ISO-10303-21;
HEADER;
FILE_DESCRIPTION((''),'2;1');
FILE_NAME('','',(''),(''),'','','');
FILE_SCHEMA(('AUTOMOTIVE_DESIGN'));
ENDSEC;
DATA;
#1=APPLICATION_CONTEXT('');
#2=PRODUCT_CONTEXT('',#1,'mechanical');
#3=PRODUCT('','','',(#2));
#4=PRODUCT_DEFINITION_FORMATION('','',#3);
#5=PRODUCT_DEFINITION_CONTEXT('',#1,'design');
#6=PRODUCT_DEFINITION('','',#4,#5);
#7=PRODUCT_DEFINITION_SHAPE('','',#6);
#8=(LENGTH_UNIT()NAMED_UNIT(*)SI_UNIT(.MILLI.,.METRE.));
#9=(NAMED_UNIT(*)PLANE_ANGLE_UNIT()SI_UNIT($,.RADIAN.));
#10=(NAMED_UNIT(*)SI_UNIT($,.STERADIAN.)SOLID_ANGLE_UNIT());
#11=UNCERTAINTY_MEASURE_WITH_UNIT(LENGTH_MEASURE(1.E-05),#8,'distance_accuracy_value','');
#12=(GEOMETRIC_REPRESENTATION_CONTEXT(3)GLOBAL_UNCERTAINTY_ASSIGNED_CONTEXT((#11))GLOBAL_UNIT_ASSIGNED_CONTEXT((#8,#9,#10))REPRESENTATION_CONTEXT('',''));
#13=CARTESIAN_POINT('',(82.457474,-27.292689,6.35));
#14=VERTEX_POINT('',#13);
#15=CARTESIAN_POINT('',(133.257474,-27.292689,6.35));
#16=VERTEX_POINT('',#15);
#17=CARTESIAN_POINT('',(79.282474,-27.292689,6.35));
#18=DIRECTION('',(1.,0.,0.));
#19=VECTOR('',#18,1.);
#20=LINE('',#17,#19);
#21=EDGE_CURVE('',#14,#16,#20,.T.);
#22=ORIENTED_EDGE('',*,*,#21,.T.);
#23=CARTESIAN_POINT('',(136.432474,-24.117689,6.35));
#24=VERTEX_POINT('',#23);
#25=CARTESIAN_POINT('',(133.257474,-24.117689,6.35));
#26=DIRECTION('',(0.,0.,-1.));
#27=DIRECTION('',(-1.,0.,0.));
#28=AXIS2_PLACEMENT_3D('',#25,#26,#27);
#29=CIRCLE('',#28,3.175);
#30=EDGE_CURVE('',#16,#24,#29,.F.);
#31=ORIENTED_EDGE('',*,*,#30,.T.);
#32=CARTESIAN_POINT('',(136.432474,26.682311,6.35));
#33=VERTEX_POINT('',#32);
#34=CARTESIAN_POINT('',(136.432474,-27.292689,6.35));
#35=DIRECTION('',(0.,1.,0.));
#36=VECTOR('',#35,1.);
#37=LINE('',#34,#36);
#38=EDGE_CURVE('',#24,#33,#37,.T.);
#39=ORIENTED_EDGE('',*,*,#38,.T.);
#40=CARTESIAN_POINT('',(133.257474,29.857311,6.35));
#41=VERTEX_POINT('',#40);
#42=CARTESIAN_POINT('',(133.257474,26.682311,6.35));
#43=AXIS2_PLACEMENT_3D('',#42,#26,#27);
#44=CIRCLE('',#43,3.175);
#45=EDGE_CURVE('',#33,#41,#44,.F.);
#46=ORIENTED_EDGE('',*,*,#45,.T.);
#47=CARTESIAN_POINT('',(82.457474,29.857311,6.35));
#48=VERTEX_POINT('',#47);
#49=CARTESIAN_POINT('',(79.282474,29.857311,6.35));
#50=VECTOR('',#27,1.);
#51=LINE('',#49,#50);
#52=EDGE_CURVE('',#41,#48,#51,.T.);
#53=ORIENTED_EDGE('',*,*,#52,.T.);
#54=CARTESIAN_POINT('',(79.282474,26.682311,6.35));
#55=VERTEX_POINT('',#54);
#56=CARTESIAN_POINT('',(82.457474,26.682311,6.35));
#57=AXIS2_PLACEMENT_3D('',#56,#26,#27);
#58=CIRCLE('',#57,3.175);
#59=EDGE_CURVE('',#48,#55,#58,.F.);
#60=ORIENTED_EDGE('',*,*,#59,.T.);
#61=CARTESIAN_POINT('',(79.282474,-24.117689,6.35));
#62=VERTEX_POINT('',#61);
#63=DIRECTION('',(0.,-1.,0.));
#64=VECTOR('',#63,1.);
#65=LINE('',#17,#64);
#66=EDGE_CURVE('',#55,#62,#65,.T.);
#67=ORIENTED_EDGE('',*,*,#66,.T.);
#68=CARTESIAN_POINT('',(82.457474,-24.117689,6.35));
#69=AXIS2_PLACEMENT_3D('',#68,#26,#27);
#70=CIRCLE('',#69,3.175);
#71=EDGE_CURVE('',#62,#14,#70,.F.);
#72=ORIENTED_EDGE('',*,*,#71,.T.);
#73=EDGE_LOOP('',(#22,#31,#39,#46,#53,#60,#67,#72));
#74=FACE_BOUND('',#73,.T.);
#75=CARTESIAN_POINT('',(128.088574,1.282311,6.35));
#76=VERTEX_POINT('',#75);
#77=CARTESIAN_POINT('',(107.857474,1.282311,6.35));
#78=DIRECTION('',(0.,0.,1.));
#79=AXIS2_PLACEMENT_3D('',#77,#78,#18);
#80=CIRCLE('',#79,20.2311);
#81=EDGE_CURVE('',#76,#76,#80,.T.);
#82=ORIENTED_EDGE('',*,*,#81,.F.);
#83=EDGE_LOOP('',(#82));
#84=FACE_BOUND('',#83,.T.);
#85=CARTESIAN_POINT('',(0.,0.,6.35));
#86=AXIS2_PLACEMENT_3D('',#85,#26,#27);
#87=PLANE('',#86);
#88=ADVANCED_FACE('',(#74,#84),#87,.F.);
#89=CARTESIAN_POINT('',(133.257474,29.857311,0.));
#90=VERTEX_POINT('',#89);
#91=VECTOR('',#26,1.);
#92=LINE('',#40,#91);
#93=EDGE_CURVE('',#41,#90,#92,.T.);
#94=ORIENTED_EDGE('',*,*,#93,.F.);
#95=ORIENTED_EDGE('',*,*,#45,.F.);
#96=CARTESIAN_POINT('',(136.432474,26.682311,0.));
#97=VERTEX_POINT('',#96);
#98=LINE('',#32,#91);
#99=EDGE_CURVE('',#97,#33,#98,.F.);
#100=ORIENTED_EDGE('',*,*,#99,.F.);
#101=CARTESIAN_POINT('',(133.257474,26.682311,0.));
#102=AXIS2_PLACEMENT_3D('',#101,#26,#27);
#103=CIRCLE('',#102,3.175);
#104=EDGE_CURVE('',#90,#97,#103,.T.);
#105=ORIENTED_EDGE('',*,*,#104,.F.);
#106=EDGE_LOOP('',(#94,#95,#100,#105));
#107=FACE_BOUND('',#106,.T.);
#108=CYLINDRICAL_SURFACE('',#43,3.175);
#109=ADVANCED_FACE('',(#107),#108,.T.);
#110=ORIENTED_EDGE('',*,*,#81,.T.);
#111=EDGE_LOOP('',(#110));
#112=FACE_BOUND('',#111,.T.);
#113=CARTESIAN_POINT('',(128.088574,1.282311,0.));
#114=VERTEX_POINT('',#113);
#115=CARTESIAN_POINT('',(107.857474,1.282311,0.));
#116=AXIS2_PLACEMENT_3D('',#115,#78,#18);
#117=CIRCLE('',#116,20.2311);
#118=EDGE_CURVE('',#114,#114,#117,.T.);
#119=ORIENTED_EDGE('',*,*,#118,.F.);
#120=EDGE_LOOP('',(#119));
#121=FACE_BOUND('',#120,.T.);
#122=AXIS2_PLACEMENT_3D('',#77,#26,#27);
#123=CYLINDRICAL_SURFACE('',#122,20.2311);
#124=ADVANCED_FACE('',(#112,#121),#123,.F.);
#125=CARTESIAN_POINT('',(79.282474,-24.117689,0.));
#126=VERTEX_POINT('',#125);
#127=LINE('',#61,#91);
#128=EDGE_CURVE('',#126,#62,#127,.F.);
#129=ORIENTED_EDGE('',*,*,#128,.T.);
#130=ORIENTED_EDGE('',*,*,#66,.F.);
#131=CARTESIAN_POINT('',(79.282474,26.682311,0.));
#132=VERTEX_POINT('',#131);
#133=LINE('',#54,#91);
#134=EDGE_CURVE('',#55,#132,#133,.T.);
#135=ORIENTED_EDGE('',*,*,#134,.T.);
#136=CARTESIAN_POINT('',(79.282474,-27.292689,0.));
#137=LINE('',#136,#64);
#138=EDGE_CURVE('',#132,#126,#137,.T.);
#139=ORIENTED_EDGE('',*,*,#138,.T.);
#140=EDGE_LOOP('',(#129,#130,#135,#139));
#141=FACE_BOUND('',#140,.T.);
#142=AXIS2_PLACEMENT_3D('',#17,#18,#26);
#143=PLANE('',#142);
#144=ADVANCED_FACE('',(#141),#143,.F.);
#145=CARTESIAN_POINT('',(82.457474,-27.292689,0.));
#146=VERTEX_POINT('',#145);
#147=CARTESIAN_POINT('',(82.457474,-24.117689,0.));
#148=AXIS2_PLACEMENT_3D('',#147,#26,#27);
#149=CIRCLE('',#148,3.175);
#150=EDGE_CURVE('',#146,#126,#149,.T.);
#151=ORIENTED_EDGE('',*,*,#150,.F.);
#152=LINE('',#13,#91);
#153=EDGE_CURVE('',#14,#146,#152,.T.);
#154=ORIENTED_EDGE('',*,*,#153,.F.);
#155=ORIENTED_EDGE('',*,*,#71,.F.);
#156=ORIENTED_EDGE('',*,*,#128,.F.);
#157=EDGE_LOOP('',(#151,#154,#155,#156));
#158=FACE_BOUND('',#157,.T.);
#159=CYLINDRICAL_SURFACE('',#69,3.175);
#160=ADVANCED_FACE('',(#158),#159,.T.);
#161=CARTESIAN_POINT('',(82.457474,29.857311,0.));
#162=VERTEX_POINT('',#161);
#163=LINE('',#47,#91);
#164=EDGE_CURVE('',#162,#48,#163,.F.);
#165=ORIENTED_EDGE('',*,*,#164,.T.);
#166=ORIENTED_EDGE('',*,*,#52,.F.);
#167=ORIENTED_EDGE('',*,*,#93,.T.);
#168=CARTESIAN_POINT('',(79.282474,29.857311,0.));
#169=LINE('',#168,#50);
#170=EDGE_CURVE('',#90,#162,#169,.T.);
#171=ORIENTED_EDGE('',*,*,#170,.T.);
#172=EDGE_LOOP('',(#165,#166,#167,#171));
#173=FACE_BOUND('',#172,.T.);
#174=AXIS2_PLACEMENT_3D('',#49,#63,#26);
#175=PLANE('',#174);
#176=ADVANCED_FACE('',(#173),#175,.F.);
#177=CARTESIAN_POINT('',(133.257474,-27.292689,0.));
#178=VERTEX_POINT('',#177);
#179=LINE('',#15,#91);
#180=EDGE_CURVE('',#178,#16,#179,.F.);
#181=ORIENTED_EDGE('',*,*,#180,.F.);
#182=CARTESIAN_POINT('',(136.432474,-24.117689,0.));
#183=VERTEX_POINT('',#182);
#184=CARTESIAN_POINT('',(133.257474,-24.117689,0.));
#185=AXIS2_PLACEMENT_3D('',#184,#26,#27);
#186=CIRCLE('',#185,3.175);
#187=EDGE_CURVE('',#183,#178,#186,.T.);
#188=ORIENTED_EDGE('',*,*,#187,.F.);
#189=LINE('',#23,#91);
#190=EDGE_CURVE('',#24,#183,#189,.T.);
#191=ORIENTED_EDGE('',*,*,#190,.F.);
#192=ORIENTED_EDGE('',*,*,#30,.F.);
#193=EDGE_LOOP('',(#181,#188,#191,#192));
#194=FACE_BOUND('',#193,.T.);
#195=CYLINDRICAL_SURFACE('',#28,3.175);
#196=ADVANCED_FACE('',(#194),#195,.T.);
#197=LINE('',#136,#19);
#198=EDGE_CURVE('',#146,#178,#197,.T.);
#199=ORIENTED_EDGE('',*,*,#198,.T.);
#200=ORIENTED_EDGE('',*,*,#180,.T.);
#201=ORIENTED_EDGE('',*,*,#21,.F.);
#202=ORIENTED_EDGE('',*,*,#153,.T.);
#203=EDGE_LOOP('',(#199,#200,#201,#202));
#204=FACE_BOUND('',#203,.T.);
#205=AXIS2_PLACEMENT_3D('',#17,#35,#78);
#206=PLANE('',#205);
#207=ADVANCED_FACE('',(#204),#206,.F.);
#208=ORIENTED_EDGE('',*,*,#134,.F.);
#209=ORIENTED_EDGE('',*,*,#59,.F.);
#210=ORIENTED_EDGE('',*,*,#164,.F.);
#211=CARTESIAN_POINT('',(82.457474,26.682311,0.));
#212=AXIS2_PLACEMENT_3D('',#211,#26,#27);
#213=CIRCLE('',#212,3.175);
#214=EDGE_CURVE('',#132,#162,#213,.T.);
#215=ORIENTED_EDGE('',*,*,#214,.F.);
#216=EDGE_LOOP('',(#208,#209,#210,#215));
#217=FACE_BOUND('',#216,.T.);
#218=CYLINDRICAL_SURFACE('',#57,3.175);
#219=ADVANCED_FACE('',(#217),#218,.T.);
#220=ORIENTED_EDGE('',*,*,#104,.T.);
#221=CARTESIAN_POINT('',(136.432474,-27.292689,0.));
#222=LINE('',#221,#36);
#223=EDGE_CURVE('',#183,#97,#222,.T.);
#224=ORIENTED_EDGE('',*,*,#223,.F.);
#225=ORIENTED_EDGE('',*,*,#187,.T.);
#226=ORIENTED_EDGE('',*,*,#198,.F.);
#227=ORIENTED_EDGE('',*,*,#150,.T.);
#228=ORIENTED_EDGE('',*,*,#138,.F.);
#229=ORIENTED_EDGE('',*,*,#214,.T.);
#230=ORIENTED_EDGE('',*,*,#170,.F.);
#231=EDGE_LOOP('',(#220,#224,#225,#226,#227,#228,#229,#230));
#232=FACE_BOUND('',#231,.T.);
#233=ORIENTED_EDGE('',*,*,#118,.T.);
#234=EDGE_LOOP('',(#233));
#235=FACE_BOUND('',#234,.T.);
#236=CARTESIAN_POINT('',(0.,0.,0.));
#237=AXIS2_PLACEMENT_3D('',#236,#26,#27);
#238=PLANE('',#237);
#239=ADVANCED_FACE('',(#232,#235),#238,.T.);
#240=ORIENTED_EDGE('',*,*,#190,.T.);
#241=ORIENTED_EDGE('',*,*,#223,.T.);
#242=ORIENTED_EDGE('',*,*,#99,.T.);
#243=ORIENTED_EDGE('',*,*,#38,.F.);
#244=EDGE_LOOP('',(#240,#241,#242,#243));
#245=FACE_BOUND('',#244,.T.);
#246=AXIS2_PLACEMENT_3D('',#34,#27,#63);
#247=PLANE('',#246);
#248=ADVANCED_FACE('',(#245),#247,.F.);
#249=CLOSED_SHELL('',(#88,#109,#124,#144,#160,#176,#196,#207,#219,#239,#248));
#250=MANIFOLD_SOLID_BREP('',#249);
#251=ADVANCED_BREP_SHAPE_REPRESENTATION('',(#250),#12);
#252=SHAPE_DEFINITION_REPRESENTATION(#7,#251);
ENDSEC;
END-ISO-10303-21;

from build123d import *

# Parameters (mm, degrees)
SKETCH1_W           = 57.15
SKETCH1_H           = 57.15
SKETCH1_R           = 20.2311
BOSS_EXTRUDE1_DEPTH = 6.35
FILLET1_R           = 3.175


with BuildPart() as part:
    # Sketch1 → Boss-Extrude1 (new body)
    with BuildSketch(Plane.XY):
        with Locations((107.857474429, 1.282311101)):
            Rectangle(SKETCH1_W, SKETCH1_H)
        with Locations((107.857474429, 1.282311101)):
            Circle(SKETCH1_R, mode=Mode.SUBTRACT)
    extrude(amount=BOSS_EXTRUDE1_DEPTH)

    # Fillet1
    fillet1_edges = [part.edges().sort_by_distance(p)[0] for p in [
        (136.432474429, -27.292688899, 3.175),
        (79.282474429, -27.292688899, 3.175),
        (79.282474429, 29.857311101, 3.175),
        (136.432474429, 29.857311101, 3.175),
    ]]
    fillet(fillet1_edges, radius=FILLET1_R)


solid = part.part
